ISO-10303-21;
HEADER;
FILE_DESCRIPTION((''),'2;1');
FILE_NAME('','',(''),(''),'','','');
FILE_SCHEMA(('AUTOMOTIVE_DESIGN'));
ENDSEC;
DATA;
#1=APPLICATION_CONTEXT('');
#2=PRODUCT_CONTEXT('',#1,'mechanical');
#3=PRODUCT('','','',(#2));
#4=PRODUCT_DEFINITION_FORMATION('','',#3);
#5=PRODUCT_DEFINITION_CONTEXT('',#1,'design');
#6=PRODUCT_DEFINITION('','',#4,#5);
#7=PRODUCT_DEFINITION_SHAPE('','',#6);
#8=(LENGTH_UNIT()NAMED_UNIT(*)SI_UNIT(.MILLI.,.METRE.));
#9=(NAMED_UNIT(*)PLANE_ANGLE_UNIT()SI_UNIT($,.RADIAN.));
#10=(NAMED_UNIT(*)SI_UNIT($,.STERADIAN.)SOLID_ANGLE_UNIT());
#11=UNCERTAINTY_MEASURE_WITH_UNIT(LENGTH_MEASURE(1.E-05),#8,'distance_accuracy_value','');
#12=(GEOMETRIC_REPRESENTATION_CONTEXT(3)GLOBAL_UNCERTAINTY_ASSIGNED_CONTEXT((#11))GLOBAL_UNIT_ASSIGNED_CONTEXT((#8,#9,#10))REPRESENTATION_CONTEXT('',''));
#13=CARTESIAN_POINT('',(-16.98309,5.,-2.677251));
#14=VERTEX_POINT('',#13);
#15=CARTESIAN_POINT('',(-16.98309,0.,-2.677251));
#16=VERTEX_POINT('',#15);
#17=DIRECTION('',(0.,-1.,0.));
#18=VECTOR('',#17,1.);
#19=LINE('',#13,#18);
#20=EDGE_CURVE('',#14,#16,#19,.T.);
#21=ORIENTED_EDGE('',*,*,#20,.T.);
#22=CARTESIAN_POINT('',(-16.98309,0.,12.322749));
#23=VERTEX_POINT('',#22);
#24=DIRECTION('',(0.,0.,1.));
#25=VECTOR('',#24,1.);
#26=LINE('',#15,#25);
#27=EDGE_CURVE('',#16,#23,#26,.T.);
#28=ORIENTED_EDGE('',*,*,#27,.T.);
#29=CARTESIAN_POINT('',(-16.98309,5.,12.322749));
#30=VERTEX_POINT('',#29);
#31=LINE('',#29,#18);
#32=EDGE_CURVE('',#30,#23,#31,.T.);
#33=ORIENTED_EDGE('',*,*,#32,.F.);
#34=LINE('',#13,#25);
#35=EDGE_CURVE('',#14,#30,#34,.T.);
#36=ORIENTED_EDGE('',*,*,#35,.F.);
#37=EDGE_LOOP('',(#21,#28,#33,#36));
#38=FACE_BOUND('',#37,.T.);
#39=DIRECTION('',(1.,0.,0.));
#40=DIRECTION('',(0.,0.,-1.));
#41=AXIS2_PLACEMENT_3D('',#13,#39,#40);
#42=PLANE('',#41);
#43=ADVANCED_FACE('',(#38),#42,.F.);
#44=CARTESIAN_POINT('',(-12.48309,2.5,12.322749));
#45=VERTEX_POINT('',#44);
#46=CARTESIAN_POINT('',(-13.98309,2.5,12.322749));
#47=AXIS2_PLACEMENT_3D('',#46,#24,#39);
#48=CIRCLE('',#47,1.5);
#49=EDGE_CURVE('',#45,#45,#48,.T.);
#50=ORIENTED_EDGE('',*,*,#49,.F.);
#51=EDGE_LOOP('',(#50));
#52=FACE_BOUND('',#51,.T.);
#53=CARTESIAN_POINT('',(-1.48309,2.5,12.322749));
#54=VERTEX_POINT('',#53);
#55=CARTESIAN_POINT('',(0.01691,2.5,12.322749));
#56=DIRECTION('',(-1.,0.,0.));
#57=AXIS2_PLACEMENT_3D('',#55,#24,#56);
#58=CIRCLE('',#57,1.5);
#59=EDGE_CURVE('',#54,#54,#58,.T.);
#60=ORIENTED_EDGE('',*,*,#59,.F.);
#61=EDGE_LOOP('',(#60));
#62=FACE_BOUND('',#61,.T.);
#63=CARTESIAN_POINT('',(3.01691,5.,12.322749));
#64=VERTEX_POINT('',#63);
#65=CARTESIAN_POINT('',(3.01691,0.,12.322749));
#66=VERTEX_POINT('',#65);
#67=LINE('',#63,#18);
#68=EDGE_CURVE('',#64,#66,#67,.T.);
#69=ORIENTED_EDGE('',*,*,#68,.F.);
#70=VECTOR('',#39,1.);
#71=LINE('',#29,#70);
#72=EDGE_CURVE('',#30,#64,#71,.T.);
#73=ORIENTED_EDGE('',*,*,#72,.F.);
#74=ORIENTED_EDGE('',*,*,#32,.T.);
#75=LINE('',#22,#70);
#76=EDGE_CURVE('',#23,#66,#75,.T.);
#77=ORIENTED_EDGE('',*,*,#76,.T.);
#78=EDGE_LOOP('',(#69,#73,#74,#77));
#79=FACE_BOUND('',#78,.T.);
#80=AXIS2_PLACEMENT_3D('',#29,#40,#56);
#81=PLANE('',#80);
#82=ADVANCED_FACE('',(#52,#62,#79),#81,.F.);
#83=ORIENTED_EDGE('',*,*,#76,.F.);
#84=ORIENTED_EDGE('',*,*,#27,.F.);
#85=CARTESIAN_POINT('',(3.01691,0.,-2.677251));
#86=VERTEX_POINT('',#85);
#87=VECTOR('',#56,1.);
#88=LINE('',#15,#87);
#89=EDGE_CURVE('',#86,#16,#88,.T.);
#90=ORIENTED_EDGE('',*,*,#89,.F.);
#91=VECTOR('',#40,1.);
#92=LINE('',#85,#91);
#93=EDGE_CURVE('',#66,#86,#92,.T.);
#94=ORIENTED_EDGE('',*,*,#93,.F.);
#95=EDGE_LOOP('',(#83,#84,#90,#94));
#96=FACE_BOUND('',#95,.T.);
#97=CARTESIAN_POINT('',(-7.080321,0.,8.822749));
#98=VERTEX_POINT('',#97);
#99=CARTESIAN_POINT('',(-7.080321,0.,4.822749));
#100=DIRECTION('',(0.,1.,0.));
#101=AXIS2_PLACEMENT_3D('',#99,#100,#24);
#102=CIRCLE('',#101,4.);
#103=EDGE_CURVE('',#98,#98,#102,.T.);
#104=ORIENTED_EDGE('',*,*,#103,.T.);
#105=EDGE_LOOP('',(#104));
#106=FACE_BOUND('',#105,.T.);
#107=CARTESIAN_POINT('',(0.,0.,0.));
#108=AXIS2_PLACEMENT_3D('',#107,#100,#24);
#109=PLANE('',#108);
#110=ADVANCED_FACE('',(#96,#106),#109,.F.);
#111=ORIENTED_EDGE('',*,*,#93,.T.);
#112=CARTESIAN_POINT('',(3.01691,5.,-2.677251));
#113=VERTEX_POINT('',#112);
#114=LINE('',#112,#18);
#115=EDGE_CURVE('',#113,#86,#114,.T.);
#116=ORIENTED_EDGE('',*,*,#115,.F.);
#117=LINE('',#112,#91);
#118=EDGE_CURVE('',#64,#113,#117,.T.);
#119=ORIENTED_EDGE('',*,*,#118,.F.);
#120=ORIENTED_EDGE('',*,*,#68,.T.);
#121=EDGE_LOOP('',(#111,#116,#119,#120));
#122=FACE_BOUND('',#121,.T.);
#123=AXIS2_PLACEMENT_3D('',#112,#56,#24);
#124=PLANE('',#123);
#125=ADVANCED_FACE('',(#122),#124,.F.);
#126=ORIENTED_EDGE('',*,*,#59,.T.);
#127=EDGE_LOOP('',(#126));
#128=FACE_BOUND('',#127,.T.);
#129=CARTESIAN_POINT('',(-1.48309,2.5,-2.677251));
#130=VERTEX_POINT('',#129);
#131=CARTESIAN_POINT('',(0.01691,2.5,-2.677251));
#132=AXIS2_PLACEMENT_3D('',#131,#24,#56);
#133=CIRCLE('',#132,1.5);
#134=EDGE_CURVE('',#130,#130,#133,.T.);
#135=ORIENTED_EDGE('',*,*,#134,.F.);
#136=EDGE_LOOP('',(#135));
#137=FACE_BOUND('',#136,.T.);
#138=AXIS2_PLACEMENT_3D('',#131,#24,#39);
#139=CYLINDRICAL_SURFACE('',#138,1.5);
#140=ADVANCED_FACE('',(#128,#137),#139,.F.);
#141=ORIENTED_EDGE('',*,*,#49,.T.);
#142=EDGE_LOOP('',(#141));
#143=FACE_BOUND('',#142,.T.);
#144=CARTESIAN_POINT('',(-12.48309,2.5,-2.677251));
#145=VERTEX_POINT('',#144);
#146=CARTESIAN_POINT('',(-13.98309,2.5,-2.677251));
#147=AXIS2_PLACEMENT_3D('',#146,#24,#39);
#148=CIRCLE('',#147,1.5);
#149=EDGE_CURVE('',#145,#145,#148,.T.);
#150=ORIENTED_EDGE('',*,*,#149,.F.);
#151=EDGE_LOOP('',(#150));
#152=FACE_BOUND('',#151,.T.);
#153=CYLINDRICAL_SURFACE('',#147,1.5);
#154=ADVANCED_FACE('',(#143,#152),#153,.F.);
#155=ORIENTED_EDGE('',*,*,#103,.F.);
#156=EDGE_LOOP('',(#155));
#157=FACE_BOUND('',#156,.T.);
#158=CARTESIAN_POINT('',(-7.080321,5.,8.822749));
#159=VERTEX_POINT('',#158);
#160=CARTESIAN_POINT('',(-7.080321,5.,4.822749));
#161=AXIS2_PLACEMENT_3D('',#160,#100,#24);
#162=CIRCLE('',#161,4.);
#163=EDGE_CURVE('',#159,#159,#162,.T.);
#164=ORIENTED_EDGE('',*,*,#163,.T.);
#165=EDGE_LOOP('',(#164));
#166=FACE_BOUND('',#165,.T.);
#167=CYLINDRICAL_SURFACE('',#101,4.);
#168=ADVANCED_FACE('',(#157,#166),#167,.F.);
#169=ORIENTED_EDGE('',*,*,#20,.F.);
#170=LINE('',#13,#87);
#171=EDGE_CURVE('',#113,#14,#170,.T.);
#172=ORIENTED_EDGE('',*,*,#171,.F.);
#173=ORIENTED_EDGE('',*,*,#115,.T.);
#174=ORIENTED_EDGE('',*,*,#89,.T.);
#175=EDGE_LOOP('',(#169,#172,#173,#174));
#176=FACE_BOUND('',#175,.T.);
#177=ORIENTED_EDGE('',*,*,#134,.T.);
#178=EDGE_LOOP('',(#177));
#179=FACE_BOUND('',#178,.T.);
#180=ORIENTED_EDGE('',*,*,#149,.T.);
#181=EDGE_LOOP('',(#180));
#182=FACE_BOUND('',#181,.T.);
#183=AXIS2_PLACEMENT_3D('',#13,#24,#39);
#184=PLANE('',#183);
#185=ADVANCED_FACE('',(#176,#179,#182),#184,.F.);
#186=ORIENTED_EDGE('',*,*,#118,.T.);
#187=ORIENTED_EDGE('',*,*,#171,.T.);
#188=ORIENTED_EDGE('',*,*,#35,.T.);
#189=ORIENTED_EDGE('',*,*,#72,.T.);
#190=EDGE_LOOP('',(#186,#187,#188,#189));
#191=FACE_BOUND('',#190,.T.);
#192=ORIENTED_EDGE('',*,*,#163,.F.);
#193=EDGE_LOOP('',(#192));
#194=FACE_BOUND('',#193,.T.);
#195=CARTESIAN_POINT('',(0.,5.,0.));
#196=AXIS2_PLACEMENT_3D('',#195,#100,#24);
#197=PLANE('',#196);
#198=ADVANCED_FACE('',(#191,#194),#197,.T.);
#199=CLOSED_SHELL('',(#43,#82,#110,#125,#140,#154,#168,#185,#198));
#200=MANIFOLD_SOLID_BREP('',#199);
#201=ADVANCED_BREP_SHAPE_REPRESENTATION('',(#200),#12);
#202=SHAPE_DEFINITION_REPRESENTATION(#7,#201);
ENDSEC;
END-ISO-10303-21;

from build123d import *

# Parameters (mm, degrees)
SKETCH1_W           = 20
SKETCH1_H           = 15
BOSS_EXTRUDE1_DEPTH = 5
SKETCH2_R           = 1.5
CUT_EXTRUDE1_DEPTH  = 24.203994107
SKETCH3_R           = 4
CUT_EXTRUDE2_DEPTH  = 5


with BuildPart() as part:
    # Sketch1 → Boss-Extrude1 (new body)
    with BuildSketch(Plane(origin=(0, 0, 0), x_dir=(1, 0, 0), z_dir=(0, 1, 0))):
        with Locations((-6.983089899, -4.822749115)):
            Rectangle(SKETCH1_W, SKETCH1_H)
    extrude(amount=BOSS_EXTRUDE1_DEPTH)

    # Sketch2 → Cut-Extrude1 (cut, through all)
    with BuildSketch(Plane.XY.offset(12.322749115)):
        with Locations((-13.983089899, 2.5)):
            Circle(SKETCH2_R)
        with Locations(Location((0.016910101, 2.5, 0), (0, 0, 180))):
            Circle(SKETCH2_R)
    extrude(amount=-CUT_EXTRUDE1_DEPTH, mode=Mode.SUBTRACT)

    # Sketch3 → Cut-Extrude2 (cut)
    with BuildSketch(Plane(origin=(0, 5, 0), x_dir=(1, 0, 0), z_dir=(0, 1, 0))):
        with Locations(Location((-7.080321074, -4.822749115, 0), (0, 0, 270))):
            Circle(SKETCH3_R)
    extrude(amount=-CUT_EXTRUDE2_DEPTH, mode=Mode.SUBTRACT)


solid = part.part
